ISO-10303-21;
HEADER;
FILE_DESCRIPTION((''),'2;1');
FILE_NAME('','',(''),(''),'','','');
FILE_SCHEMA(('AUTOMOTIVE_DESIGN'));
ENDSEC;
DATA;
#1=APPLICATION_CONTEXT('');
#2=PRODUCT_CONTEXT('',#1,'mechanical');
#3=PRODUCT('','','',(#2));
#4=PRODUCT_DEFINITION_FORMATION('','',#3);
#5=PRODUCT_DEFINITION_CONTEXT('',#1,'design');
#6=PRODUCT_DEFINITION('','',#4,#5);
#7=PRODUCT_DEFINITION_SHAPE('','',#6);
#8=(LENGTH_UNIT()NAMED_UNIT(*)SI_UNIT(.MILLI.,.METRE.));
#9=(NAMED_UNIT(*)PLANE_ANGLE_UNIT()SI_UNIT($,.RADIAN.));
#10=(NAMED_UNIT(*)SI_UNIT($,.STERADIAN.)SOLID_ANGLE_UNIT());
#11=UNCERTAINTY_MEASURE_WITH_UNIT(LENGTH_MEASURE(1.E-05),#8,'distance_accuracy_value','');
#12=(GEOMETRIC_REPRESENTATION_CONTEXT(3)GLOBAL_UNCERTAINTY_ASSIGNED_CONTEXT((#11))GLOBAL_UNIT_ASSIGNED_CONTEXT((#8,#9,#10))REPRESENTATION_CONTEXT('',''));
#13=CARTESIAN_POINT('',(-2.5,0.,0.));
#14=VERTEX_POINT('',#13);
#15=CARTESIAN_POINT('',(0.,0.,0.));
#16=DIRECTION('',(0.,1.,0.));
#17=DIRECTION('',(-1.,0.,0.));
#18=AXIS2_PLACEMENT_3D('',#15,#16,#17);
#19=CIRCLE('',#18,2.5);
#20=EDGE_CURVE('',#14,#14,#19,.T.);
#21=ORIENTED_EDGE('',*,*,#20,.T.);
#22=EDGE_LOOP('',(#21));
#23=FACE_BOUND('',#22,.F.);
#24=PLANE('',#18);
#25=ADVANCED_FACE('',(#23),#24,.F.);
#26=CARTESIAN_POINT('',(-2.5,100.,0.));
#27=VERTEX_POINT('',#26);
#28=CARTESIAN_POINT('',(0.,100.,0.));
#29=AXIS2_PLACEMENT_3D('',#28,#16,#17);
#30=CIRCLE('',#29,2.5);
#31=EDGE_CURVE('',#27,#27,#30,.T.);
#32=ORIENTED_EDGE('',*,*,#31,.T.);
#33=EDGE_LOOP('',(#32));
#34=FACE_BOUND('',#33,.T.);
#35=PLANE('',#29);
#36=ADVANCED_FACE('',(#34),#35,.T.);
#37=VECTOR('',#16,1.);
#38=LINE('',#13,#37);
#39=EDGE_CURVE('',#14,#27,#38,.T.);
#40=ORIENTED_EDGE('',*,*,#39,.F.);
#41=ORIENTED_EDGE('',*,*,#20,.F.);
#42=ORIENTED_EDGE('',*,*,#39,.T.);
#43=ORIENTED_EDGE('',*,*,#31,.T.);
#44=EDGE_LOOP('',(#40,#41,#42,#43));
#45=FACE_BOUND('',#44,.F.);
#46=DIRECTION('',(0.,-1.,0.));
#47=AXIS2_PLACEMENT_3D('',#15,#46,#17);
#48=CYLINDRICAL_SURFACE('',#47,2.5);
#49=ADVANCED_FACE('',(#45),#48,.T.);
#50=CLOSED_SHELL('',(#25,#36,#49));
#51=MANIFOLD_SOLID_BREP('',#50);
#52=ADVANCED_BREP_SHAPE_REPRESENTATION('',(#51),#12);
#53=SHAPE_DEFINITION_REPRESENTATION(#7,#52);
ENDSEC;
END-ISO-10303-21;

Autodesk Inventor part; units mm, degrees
ref_plane "YZ Plane" through (0, 0, 0) normal (1, 0, 0) x (0, 1, 0)
ref_plane "XZ Plane" through (0, 0, 0) normal (0, 1, 0) x (-1, 0, 0)
ref_plane "XY Plane" through (0, 0, 0) normal (0, 0, 1) x (1, 0, 0)
sketch "Sketch1" plane through (0, 0, 0) normal (0, 1, 0) x (-1, 0, 0)
  circle A0 centre (0, 0) radius 2.5
  dimension "d0" = 5
extrude "Extrusion1" add sketch "Sketch1" along normal blind 100
properties part number "100mm m5 threaded"
